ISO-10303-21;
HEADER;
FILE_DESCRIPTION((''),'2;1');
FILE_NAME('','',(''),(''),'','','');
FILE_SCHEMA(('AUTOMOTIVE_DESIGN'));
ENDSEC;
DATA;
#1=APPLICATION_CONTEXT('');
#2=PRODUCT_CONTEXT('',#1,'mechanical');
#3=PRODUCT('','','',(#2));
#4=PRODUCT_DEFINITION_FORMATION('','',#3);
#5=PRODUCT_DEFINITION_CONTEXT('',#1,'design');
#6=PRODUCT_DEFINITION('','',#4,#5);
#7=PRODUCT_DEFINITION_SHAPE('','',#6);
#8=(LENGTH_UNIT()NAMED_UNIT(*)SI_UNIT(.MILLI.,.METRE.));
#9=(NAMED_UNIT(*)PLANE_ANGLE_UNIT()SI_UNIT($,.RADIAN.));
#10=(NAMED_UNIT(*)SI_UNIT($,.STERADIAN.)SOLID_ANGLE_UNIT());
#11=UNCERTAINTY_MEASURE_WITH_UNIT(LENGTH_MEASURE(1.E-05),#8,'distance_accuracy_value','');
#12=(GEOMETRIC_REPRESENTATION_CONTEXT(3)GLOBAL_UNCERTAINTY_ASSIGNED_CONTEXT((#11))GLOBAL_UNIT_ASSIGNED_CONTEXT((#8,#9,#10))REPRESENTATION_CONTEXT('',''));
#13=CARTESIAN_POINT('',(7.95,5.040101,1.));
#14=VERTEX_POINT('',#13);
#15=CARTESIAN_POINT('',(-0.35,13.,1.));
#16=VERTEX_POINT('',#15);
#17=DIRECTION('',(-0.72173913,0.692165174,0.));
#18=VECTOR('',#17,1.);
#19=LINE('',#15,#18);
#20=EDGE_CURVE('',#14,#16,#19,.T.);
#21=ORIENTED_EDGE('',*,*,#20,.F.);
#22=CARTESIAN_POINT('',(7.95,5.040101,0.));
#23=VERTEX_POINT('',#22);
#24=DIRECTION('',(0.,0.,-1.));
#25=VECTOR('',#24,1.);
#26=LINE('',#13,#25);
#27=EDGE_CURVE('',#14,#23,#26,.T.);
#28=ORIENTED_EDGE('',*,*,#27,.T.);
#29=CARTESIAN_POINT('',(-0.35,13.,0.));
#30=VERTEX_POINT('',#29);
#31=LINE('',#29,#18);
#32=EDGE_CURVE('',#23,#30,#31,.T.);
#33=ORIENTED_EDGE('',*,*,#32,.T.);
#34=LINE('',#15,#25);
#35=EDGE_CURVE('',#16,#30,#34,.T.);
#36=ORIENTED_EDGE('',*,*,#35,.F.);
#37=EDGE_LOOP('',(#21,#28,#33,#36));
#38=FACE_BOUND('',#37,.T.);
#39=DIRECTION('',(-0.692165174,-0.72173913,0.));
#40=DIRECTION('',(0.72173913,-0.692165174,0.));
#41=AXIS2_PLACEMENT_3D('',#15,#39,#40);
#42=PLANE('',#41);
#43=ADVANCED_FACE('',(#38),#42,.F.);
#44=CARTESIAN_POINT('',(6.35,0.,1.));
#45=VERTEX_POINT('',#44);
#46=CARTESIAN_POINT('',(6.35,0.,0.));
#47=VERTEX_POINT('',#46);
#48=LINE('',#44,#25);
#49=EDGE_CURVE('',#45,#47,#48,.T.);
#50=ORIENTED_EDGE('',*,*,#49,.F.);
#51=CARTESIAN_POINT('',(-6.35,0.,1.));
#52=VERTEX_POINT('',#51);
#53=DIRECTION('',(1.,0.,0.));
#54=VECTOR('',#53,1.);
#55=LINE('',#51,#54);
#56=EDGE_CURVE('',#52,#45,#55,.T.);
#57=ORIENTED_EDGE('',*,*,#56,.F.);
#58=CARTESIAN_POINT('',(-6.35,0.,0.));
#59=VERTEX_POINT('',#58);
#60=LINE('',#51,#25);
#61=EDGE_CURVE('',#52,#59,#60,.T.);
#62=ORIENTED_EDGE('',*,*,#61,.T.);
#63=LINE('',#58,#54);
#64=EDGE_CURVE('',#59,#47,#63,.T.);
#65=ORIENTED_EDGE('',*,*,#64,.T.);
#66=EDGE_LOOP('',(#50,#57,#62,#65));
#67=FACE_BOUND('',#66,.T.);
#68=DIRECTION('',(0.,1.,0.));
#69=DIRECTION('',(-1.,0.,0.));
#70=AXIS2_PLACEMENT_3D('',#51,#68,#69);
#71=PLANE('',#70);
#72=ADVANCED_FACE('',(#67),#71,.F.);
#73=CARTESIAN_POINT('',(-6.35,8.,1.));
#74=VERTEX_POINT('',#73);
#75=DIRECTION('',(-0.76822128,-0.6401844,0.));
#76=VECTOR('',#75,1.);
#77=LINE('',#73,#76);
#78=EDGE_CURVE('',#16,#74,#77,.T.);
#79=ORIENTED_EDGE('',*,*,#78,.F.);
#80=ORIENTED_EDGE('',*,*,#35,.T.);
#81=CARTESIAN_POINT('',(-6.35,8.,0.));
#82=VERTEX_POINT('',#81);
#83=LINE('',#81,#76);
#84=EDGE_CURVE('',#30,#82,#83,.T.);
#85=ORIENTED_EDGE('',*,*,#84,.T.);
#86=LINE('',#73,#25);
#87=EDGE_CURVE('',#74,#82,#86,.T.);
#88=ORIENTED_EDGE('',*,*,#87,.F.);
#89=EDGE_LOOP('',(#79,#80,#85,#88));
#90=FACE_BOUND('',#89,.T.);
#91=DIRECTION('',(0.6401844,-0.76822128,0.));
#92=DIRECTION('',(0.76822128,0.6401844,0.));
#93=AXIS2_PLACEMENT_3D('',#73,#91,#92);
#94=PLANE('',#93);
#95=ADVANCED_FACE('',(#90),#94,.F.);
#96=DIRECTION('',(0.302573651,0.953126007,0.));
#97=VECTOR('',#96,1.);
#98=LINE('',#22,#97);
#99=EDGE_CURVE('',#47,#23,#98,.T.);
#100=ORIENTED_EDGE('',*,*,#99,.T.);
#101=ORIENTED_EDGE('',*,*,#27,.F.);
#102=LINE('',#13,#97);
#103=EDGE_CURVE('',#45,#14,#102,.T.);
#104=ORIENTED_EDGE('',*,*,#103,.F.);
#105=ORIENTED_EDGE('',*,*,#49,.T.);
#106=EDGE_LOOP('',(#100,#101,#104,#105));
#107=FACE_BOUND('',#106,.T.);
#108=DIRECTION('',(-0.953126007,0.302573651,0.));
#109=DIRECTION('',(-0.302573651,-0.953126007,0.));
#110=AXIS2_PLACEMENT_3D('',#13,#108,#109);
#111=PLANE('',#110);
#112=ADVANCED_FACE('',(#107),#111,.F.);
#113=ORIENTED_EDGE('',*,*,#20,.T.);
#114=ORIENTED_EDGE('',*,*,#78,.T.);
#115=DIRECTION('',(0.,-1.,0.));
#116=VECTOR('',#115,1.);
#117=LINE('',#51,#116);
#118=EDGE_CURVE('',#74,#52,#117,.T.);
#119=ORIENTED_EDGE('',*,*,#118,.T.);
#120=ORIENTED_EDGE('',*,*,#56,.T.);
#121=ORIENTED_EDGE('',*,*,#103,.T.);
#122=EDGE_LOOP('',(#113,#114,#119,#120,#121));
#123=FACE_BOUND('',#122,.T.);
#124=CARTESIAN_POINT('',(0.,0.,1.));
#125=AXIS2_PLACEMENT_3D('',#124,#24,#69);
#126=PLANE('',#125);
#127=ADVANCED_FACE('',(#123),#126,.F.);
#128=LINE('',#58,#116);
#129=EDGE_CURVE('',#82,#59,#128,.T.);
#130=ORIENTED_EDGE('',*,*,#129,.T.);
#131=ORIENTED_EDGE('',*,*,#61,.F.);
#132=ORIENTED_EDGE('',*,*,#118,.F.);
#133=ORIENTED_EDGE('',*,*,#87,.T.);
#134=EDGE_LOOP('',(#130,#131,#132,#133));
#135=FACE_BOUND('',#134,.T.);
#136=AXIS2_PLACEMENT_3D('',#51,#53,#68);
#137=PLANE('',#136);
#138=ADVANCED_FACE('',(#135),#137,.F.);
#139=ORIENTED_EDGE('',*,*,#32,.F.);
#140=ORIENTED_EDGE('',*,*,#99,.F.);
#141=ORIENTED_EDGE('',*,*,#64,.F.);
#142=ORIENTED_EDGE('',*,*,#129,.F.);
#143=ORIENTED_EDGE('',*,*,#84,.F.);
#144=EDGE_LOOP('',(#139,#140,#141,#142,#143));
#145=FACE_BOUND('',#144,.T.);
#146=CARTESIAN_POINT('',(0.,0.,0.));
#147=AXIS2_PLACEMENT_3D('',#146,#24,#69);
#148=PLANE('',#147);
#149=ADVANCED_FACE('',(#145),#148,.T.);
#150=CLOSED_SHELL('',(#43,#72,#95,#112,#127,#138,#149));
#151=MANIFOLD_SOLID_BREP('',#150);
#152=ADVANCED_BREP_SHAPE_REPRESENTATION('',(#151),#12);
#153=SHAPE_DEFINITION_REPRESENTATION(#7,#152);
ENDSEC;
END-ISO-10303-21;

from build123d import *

# Parameters (mm, degrees)
EXTRUDE_1_DEPTH = 1


with BuildPart() as part:
    # Эскиз1 → Бобышка-Вытянуть1 (new body)
    with BuildSketch(Plane(origin=(0, 0, 0), x_dir=(0, -1, 0), z_dir=(0, 0, 1))):
        Polygon((0, -6.35), (0, 6.35), (-5.040100503, 7.95), (-13, -0.35), (-8, -6.35), align=None)
    extrude(amount=EXTRUDE_1_DEPTH)


solid = part.part
